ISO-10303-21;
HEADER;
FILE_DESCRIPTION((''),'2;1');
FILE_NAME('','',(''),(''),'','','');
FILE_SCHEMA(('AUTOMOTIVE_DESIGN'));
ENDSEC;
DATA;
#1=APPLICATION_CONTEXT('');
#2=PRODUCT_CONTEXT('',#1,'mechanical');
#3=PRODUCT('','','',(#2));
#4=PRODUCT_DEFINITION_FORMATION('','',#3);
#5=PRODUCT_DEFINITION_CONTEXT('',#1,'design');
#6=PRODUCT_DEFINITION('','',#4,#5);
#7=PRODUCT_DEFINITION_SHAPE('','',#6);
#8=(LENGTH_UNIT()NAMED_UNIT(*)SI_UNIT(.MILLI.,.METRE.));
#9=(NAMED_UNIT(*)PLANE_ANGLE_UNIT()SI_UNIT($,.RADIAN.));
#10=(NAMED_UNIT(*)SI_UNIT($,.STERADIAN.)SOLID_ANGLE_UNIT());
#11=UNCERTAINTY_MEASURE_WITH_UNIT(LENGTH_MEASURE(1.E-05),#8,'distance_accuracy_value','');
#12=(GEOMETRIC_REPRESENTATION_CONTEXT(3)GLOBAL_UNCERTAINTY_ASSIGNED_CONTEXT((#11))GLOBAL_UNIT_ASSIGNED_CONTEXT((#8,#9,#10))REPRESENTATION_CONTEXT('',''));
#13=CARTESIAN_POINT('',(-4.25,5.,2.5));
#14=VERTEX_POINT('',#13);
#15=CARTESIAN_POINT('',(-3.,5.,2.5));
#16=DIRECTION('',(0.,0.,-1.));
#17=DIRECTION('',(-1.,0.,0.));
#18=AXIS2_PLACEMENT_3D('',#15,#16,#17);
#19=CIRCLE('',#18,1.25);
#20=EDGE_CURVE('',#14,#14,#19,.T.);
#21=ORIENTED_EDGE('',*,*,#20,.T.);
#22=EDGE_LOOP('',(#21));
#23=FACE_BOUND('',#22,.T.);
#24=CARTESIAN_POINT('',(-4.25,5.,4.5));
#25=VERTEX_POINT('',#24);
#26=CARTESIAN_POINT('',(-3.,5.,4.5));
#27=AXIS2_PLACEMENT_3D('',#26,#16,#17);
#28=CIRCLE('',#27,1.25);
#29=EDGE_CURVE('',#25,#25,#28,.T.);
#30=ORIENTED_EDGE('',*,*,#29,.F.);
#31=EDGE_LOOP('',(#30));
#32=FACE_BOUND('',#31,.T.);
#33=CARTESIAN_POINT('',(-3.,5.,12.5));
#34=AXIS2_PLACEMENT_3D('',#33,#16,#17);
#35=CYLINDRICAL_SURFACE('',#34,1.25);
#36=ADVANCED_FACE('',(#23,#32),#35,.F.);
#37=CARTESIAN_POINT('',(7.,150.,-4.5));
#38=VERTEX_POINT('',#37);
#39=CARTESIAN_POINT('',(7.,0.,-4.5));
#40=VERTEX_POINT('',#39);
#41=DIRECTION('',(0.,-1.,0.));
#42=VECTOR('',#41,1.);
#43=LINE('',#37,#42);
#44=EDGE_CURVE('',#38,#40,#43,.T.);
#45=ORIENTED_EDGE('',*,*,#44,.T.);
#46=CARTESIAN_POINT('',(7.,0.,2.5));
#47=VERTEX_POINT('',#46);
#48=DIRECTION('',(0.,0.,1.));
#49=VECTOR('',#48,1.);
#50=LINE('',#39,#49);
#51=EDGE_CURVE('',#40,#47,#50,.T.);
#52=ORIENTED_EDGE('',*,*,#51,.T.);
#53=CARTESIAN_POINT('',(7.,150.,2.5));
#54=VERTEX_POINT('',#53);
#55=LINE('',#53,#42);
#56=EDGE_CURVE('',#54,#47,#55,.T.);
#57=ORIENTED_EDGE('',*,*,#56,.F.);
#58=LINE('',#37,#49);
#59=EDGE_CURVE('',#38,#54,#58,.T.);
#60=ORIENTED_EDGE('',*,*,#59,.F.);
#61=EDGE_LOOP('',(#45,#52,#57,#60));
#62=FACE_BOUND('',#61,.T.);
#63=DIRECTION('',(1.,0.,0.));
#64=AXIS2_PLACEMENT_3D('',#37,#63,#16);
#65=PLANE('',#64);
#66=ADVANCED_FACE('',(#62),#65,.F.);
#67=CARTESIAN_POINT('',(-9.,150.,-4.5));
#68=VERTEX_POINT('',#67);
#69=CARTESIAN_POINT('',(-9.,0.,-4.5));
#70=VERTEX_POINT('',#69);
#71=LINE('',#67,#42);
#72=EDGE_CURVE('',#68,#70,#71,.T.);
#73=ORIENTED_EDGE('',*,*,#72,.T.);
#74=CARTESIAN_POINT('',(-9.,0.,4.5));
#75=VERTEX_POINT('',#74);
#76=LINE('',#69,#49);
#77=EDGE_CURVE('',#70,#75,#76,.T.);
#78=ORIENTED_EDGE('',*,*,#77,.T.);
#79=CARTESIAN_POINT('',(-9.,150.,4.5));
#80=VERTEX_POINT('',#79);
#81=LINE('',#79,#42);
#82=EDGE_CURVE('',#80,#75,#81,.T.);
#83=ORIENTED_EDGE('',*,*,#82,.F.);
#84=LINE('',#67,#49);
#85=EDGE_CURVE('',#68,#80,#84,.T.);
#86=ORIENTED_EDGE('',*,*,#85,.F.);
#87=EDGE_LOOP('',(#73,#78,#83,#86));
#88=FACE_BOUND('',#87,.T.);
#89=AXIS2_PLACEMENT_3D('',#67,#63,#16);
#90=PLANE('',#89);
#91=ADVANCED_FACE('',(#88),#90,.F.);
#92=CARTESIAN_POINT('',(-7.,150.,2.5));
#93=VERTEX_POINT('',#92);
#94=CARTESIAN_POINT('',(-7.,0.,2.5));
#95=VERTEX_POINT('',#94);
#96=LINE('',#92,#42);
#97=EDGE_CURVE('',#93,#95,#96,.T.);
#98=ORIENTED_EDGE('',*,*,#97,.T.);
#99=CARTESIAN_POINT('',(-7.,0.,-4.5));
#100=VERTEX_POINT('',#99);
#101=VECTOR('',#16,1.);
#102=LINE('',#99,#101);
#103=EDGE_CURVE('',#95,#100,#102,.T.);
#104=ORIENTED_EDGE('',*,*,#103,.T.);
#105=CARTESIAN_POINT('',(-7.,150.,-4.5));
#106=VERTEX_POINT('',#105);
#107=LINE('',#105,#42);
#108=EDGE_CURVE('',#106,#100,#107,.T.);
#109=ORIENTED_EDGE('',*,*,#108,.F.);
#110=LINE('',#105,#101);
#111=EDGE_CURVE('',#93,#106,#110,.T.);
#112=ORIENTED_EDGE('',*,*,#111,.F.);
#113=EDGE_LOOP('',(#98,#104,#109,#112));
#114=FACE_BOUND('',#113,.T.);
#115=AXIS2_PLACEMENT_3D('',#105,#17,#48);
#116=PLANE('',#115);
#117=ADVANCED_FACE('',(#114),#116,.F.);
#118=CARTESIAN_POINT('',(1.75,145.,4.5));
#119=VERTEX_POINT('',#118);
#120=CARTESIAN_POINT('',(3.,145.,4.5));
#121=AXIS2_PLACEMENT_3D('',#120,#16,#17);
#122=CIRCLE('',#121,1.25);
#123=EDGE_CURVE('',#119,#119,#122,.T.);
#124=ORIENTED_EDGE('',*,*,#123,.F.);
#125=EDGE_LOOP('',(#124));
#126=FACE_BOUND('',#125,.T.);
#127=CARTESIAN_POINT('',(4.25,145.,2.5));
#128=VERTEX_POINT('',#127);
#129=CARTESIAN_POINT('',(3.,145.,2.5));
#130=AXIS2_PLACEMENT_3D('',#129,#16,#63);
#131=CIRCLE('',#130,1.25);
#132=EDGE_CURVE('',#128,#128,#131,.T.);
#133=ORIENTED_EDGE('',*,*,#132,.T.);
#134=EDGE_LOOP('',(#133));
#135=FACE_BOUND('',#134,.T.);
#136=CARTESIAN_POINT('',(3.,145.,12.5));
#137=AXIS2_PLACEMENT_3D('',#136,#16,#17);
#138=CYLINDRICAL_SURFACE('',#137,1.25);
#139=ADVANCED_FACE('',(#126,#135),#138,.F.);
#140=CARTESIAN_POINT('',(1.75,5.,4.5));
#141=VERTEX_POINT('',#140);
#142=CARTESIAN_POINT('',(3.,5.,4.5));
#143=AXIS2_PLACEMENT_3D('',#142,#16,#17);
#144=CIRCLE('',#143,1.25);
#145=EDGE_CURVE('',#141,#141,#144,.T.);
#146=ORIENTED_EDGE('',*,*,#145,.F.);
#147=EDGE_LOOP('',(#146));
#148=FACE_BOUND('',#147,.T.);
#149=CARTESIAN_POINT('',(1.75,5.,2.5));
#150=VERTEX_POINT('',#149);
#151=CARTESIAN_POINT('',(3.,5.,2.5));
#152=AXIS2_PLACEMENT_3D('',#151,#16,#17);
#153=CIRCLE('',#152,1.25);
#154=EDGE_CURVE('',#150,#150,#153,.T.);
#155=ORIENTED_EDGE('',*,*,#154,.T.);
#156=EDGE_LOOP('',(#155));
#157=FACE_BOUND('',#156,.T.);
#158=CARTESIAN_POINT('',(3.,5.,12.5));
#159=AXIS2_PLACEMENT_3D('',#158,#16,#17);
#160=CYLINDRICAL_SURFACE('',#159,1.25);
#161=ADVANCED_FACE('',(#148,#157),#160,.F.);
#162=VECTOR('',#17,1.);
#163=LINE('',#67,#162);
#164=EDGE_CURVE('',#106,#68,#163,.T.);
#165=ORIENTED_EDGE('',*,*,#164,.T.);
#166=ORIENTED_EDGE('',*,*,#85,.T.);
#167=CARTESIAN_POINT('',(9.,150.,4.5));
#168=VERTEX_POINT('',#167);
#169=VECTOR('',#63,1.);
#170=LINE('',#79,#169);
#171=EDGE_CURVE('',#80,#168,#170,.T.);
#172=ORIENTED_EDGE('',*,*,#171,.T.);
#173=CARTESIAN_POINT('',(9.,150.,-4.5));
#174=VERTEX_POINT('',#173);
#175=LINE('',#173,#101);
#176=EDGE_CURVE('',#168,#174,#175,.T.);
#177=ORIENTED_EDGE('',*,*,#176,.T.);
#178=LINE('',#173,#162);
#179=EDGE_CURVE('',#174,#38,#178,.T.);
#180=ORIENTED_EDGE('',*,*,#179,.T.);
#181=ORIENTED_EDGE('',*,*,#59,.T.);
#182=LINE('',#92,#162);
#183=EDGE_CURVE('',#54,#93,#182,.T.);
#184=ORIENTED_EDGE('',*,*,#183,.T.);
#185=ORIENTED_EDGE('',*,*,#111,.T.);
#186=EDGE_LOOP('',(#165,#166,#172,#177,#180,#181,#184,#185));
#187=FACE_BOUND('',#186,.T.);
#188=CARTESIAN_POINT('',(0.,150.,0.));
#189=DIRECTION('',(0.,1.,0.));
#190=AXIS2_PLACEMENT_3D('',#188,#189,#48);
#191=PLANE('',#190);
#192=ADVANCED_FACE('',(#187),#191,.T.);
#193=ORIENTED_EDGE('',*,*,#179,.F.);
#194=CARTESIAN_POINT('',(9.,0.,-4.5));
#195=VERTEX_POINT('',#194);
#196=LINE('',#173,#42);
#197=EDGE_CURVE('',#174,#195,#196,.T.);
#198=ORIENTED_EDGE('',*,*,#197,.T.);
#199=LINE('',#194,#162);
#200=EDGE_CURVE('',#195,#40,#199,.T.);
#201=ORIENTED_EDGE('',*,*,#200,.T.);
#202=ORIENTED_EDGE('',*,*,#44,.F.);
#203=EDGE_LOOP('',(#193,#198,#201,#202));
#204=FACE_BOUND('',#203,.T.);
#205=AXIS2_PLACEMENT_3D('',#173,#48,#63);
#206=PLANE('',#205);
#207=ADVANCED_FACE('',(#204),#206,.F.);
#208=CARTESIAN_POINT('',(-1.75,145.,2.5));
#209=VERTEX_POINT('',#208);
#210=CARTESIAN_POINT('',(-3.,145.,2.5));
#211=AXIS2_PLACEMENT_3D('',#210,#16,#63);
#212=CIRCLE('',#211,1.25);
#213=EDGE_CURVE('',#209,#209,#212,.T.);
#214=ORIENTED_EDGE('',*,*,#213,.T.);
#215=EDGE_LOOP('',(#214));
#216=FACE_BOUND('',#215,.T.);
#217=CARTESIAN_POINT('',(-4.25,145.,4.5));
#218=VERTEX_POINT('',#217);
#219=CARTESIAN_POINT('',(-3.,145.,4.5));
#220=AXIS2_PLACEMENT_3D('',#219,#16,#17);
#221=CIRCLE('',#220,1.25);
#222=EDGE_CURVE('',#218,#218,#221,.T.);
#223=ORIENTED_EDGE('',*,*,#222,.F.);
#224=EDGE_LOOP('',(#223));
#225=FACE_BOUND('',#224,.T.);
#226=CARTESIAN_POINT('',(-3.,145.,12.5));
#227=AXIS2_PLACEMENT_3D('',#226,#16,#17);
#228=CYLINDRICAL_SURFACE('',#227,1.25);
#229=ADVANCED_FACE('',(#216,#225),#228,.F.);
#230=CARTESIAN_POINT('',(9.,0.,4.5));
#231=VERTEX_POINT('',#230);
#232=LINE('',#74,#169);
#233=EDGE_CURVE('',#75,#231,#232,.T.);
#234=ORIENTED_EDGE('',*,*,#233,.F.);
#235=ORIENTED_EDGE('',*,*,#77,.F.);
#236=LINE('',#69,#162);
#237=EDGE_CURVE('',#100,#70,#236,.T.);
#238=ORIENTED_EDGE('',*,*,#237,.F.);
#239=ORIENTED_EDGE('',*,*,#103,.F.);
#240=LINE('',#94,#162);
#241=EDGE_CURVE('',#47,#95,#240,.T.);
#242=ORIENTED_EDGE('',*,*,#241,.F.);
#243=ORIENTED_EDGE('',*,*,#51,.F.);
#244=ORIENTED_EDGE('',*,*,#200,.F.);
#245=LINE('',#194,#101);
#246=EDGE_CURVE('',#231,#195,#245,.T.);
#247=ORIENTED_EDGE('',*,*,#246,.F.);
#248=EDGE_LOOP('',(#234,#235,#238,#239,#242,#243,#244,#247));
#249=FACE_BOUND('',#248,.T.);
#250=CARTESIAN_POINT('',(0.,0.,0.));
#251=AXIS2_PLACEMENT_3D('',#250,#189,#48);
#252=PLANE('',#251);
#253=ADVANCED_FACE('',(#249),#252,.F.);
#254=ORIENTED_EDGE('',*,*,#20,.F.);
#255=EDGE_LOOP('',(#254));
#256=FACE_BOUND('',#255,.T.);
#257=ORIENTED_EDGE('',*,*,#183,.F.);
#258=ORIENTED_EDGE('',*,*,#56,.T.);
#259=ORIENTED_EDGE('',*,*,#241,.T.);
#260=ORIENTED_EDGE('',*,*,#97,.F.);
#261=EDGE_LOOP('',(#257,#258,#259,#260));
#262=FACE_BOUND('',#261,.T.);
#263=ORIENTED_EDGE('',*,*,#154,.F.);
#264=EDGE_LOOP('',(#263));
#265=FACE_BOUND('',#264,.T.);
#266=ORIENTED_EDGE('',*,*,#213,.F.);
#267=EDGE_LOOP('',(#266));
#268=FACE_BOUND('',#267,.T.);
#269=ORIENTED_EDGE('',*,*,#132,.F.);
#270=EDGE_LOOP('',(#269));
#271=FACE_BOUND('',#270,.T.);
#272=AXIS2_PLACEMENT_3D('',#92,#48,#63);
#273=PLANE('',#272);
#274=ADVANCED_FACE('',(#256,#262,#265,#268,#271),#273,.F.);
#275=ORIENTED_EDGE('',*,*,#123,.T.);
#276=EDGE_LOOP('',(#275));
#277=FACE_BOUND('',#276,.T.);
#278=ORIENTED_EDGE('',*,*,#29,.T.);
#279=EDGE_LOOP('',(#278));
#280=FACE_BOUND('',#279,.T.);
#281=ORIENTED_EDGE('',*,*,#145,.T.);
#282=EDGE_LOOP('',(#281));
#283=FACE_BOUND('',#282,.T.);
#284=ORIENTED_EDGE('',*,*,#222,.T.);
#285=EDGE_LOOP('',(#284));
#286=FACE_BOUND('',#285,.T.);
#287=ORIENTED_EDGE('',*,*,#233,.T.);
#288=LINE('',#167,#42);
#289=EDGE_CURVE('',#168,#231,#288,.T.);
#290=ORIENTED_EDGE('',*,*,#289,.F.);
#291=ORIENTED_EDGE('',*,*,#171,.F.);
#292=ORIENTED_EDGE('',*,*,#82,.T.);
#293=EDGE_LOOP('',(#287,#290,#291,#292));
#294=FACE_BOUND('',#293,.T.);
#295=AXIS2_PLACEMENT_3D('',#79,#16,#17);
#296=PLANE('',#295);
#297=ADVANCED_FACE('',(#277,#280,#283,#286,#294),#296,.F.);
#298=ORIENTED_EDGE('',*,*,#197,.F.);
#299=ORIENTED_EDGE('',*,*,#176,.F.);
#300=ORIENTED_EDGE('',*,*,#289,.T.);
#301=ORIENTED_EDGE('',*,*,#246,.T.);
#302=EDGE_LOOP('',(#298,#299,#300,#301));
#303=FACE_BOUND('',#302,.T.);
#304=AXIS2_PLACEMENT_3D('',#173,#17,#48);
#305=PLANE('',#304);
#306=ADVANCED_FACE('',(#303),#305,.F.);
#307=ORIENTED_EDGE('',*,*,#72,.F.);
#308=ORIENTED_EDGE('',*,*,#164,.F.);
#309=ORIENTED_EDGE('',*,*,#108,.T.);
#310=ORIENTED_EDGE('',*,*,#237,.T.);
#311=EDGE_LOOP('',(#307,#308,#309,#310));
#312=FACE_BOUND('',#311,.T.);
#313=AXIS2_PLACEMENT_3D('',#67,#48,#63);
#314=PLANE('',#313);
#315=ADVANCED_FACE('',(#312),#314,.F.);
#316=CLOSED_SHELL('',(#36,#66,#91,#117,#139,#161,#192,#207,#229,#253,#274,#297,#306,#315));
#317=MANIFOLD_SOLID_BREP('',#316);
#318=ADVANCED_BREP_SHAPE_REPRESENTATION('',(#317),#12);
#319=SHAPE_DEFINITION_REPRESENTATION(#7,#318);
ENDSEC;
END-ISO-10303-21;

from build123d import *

# Parameters (mm, degrees)
BOSS_EXTRUDE1_DEPTH = 150
SKETCH2_R           = 1.25
CUT_EXTRUDE1_DEPTH  = 10


with BuildPart() as part:
    # Sketch1 → Boss-Extrude1 (new body)
    with BuildSketch(Plane(origin=(0, 0, 0), x_dir=(1, 0, 0), z_dir=(0, 1, 0))):
        Polygon((-7, 4.5), (-7, -2.5), (7, -2.5), (7, 4.5), (9, 4.5), (9, -4.5), (-9, -4.5), (-9, 4.5), align=None)
    extrude(amount=BOSS_EXTRUDE1_DEPTH)

    # Sketch2 → Cut-Extrude1 (cut)
    with BuildSketch(Plane(origin=(0, 0, 2.5), x_dir=(-1, 0, 0), z_dir=(0, 0, -1))):
        with Locations((-3, 5)):
            Circle(SKETCH2_R)
        with Locations((3, 5)):
            Circle(SKETCH2_R)
        with Locations((3, 145)):
            Circle(SKETCH2_R)
        with Locations((-3, 145)):
            Circle(SKETCH2_R)
    extrude(amount=-CUT_EXTRUDE1_DEPTH, mode=Mode.SUBTRACT)


solid = part.part
